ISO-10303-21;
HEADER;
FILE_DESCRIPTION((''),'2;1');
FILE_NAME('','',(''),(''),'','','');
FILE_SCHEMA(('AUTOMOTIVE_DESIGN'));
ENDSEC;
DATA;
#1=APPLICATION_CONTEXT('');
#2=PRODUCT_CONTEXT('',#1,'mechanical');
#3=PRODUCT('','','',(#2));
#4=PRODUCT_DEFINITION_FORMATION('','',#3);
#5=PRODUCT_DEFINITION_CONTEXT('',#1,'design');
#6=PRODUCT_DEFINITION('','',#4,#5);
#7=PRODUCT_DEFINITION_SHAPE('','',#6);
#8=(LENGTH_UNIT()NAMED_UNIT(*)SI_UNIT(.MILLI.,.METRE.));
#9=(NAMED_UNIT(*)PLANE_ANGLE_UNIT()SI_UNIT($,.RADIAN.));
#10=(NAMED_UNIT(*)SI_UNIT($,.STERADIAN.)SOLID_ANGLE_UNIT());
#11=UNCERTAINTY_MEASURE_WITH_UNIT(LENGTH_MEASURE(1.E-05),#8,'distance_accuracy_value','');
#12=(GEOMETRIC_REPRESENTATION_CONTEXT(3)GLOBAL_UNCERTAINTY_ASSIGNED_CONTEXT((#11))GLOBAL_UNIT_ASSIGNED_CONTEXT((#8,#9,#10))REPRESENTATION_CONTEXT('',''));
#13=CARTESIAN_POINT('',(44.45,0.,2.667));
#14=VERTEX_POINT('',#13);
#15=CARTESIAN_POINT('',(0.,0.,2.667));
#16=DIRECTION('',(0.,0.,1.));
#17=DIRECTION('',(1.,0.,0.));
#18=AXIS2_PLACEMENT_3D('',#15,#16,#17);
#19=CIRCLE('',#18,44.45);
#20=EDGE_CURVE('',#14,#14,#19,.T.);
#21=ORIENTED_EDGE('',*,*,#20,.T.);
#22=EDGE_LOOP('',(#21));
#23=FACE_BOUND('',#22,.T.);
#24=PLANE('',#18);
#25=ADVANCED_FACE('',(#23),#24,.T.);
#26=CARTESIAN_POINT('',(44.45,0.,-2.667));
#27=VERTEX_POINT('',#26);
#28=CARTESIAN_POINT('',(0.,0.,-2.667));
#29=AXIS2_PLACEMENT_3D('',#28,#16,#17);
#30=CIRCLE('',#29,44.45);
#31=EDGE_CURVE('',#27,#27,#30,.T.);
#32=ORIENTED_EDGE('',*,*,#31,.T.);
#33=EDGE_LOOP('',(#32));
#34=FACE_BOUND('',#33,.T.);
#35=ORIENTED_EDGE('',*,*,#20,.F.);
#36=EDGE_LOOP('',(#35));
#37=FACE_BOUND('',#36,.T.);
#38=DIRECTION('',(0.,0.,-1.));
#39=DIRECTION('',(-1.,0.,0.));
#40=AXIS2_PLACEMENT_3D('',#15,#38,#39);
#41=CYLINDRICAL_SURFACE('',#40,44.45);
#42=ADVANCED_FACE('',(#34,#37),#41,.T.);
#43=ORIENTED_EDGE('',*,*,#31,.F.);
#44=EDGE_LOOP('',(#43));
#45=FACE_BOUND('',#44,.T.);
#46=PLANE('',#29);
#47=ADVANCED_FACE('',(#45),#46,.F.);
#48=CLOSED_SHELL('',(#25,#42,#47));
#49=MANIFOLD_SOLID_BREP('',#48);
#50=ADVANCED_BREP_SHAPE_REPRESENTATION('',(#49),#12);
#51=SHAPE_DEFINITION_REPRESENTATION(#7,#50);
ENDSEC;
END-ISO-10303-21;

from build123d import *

# Parameters (mm, degrees)
SKETCH1_R           = 44.45
BOSS_EXTRUDE1_DEPTH = 2.667


with BuildPart() as part:
    # Sketch1 → Boss-Extrude1 (new body, symmetric)
    with BuildSketch(Plane.XY):
        Circle(SKETCH1_R)
    extrude(amount=BOSS_EXTRUDE1_DEPTH, both=True)


solid = part.part
